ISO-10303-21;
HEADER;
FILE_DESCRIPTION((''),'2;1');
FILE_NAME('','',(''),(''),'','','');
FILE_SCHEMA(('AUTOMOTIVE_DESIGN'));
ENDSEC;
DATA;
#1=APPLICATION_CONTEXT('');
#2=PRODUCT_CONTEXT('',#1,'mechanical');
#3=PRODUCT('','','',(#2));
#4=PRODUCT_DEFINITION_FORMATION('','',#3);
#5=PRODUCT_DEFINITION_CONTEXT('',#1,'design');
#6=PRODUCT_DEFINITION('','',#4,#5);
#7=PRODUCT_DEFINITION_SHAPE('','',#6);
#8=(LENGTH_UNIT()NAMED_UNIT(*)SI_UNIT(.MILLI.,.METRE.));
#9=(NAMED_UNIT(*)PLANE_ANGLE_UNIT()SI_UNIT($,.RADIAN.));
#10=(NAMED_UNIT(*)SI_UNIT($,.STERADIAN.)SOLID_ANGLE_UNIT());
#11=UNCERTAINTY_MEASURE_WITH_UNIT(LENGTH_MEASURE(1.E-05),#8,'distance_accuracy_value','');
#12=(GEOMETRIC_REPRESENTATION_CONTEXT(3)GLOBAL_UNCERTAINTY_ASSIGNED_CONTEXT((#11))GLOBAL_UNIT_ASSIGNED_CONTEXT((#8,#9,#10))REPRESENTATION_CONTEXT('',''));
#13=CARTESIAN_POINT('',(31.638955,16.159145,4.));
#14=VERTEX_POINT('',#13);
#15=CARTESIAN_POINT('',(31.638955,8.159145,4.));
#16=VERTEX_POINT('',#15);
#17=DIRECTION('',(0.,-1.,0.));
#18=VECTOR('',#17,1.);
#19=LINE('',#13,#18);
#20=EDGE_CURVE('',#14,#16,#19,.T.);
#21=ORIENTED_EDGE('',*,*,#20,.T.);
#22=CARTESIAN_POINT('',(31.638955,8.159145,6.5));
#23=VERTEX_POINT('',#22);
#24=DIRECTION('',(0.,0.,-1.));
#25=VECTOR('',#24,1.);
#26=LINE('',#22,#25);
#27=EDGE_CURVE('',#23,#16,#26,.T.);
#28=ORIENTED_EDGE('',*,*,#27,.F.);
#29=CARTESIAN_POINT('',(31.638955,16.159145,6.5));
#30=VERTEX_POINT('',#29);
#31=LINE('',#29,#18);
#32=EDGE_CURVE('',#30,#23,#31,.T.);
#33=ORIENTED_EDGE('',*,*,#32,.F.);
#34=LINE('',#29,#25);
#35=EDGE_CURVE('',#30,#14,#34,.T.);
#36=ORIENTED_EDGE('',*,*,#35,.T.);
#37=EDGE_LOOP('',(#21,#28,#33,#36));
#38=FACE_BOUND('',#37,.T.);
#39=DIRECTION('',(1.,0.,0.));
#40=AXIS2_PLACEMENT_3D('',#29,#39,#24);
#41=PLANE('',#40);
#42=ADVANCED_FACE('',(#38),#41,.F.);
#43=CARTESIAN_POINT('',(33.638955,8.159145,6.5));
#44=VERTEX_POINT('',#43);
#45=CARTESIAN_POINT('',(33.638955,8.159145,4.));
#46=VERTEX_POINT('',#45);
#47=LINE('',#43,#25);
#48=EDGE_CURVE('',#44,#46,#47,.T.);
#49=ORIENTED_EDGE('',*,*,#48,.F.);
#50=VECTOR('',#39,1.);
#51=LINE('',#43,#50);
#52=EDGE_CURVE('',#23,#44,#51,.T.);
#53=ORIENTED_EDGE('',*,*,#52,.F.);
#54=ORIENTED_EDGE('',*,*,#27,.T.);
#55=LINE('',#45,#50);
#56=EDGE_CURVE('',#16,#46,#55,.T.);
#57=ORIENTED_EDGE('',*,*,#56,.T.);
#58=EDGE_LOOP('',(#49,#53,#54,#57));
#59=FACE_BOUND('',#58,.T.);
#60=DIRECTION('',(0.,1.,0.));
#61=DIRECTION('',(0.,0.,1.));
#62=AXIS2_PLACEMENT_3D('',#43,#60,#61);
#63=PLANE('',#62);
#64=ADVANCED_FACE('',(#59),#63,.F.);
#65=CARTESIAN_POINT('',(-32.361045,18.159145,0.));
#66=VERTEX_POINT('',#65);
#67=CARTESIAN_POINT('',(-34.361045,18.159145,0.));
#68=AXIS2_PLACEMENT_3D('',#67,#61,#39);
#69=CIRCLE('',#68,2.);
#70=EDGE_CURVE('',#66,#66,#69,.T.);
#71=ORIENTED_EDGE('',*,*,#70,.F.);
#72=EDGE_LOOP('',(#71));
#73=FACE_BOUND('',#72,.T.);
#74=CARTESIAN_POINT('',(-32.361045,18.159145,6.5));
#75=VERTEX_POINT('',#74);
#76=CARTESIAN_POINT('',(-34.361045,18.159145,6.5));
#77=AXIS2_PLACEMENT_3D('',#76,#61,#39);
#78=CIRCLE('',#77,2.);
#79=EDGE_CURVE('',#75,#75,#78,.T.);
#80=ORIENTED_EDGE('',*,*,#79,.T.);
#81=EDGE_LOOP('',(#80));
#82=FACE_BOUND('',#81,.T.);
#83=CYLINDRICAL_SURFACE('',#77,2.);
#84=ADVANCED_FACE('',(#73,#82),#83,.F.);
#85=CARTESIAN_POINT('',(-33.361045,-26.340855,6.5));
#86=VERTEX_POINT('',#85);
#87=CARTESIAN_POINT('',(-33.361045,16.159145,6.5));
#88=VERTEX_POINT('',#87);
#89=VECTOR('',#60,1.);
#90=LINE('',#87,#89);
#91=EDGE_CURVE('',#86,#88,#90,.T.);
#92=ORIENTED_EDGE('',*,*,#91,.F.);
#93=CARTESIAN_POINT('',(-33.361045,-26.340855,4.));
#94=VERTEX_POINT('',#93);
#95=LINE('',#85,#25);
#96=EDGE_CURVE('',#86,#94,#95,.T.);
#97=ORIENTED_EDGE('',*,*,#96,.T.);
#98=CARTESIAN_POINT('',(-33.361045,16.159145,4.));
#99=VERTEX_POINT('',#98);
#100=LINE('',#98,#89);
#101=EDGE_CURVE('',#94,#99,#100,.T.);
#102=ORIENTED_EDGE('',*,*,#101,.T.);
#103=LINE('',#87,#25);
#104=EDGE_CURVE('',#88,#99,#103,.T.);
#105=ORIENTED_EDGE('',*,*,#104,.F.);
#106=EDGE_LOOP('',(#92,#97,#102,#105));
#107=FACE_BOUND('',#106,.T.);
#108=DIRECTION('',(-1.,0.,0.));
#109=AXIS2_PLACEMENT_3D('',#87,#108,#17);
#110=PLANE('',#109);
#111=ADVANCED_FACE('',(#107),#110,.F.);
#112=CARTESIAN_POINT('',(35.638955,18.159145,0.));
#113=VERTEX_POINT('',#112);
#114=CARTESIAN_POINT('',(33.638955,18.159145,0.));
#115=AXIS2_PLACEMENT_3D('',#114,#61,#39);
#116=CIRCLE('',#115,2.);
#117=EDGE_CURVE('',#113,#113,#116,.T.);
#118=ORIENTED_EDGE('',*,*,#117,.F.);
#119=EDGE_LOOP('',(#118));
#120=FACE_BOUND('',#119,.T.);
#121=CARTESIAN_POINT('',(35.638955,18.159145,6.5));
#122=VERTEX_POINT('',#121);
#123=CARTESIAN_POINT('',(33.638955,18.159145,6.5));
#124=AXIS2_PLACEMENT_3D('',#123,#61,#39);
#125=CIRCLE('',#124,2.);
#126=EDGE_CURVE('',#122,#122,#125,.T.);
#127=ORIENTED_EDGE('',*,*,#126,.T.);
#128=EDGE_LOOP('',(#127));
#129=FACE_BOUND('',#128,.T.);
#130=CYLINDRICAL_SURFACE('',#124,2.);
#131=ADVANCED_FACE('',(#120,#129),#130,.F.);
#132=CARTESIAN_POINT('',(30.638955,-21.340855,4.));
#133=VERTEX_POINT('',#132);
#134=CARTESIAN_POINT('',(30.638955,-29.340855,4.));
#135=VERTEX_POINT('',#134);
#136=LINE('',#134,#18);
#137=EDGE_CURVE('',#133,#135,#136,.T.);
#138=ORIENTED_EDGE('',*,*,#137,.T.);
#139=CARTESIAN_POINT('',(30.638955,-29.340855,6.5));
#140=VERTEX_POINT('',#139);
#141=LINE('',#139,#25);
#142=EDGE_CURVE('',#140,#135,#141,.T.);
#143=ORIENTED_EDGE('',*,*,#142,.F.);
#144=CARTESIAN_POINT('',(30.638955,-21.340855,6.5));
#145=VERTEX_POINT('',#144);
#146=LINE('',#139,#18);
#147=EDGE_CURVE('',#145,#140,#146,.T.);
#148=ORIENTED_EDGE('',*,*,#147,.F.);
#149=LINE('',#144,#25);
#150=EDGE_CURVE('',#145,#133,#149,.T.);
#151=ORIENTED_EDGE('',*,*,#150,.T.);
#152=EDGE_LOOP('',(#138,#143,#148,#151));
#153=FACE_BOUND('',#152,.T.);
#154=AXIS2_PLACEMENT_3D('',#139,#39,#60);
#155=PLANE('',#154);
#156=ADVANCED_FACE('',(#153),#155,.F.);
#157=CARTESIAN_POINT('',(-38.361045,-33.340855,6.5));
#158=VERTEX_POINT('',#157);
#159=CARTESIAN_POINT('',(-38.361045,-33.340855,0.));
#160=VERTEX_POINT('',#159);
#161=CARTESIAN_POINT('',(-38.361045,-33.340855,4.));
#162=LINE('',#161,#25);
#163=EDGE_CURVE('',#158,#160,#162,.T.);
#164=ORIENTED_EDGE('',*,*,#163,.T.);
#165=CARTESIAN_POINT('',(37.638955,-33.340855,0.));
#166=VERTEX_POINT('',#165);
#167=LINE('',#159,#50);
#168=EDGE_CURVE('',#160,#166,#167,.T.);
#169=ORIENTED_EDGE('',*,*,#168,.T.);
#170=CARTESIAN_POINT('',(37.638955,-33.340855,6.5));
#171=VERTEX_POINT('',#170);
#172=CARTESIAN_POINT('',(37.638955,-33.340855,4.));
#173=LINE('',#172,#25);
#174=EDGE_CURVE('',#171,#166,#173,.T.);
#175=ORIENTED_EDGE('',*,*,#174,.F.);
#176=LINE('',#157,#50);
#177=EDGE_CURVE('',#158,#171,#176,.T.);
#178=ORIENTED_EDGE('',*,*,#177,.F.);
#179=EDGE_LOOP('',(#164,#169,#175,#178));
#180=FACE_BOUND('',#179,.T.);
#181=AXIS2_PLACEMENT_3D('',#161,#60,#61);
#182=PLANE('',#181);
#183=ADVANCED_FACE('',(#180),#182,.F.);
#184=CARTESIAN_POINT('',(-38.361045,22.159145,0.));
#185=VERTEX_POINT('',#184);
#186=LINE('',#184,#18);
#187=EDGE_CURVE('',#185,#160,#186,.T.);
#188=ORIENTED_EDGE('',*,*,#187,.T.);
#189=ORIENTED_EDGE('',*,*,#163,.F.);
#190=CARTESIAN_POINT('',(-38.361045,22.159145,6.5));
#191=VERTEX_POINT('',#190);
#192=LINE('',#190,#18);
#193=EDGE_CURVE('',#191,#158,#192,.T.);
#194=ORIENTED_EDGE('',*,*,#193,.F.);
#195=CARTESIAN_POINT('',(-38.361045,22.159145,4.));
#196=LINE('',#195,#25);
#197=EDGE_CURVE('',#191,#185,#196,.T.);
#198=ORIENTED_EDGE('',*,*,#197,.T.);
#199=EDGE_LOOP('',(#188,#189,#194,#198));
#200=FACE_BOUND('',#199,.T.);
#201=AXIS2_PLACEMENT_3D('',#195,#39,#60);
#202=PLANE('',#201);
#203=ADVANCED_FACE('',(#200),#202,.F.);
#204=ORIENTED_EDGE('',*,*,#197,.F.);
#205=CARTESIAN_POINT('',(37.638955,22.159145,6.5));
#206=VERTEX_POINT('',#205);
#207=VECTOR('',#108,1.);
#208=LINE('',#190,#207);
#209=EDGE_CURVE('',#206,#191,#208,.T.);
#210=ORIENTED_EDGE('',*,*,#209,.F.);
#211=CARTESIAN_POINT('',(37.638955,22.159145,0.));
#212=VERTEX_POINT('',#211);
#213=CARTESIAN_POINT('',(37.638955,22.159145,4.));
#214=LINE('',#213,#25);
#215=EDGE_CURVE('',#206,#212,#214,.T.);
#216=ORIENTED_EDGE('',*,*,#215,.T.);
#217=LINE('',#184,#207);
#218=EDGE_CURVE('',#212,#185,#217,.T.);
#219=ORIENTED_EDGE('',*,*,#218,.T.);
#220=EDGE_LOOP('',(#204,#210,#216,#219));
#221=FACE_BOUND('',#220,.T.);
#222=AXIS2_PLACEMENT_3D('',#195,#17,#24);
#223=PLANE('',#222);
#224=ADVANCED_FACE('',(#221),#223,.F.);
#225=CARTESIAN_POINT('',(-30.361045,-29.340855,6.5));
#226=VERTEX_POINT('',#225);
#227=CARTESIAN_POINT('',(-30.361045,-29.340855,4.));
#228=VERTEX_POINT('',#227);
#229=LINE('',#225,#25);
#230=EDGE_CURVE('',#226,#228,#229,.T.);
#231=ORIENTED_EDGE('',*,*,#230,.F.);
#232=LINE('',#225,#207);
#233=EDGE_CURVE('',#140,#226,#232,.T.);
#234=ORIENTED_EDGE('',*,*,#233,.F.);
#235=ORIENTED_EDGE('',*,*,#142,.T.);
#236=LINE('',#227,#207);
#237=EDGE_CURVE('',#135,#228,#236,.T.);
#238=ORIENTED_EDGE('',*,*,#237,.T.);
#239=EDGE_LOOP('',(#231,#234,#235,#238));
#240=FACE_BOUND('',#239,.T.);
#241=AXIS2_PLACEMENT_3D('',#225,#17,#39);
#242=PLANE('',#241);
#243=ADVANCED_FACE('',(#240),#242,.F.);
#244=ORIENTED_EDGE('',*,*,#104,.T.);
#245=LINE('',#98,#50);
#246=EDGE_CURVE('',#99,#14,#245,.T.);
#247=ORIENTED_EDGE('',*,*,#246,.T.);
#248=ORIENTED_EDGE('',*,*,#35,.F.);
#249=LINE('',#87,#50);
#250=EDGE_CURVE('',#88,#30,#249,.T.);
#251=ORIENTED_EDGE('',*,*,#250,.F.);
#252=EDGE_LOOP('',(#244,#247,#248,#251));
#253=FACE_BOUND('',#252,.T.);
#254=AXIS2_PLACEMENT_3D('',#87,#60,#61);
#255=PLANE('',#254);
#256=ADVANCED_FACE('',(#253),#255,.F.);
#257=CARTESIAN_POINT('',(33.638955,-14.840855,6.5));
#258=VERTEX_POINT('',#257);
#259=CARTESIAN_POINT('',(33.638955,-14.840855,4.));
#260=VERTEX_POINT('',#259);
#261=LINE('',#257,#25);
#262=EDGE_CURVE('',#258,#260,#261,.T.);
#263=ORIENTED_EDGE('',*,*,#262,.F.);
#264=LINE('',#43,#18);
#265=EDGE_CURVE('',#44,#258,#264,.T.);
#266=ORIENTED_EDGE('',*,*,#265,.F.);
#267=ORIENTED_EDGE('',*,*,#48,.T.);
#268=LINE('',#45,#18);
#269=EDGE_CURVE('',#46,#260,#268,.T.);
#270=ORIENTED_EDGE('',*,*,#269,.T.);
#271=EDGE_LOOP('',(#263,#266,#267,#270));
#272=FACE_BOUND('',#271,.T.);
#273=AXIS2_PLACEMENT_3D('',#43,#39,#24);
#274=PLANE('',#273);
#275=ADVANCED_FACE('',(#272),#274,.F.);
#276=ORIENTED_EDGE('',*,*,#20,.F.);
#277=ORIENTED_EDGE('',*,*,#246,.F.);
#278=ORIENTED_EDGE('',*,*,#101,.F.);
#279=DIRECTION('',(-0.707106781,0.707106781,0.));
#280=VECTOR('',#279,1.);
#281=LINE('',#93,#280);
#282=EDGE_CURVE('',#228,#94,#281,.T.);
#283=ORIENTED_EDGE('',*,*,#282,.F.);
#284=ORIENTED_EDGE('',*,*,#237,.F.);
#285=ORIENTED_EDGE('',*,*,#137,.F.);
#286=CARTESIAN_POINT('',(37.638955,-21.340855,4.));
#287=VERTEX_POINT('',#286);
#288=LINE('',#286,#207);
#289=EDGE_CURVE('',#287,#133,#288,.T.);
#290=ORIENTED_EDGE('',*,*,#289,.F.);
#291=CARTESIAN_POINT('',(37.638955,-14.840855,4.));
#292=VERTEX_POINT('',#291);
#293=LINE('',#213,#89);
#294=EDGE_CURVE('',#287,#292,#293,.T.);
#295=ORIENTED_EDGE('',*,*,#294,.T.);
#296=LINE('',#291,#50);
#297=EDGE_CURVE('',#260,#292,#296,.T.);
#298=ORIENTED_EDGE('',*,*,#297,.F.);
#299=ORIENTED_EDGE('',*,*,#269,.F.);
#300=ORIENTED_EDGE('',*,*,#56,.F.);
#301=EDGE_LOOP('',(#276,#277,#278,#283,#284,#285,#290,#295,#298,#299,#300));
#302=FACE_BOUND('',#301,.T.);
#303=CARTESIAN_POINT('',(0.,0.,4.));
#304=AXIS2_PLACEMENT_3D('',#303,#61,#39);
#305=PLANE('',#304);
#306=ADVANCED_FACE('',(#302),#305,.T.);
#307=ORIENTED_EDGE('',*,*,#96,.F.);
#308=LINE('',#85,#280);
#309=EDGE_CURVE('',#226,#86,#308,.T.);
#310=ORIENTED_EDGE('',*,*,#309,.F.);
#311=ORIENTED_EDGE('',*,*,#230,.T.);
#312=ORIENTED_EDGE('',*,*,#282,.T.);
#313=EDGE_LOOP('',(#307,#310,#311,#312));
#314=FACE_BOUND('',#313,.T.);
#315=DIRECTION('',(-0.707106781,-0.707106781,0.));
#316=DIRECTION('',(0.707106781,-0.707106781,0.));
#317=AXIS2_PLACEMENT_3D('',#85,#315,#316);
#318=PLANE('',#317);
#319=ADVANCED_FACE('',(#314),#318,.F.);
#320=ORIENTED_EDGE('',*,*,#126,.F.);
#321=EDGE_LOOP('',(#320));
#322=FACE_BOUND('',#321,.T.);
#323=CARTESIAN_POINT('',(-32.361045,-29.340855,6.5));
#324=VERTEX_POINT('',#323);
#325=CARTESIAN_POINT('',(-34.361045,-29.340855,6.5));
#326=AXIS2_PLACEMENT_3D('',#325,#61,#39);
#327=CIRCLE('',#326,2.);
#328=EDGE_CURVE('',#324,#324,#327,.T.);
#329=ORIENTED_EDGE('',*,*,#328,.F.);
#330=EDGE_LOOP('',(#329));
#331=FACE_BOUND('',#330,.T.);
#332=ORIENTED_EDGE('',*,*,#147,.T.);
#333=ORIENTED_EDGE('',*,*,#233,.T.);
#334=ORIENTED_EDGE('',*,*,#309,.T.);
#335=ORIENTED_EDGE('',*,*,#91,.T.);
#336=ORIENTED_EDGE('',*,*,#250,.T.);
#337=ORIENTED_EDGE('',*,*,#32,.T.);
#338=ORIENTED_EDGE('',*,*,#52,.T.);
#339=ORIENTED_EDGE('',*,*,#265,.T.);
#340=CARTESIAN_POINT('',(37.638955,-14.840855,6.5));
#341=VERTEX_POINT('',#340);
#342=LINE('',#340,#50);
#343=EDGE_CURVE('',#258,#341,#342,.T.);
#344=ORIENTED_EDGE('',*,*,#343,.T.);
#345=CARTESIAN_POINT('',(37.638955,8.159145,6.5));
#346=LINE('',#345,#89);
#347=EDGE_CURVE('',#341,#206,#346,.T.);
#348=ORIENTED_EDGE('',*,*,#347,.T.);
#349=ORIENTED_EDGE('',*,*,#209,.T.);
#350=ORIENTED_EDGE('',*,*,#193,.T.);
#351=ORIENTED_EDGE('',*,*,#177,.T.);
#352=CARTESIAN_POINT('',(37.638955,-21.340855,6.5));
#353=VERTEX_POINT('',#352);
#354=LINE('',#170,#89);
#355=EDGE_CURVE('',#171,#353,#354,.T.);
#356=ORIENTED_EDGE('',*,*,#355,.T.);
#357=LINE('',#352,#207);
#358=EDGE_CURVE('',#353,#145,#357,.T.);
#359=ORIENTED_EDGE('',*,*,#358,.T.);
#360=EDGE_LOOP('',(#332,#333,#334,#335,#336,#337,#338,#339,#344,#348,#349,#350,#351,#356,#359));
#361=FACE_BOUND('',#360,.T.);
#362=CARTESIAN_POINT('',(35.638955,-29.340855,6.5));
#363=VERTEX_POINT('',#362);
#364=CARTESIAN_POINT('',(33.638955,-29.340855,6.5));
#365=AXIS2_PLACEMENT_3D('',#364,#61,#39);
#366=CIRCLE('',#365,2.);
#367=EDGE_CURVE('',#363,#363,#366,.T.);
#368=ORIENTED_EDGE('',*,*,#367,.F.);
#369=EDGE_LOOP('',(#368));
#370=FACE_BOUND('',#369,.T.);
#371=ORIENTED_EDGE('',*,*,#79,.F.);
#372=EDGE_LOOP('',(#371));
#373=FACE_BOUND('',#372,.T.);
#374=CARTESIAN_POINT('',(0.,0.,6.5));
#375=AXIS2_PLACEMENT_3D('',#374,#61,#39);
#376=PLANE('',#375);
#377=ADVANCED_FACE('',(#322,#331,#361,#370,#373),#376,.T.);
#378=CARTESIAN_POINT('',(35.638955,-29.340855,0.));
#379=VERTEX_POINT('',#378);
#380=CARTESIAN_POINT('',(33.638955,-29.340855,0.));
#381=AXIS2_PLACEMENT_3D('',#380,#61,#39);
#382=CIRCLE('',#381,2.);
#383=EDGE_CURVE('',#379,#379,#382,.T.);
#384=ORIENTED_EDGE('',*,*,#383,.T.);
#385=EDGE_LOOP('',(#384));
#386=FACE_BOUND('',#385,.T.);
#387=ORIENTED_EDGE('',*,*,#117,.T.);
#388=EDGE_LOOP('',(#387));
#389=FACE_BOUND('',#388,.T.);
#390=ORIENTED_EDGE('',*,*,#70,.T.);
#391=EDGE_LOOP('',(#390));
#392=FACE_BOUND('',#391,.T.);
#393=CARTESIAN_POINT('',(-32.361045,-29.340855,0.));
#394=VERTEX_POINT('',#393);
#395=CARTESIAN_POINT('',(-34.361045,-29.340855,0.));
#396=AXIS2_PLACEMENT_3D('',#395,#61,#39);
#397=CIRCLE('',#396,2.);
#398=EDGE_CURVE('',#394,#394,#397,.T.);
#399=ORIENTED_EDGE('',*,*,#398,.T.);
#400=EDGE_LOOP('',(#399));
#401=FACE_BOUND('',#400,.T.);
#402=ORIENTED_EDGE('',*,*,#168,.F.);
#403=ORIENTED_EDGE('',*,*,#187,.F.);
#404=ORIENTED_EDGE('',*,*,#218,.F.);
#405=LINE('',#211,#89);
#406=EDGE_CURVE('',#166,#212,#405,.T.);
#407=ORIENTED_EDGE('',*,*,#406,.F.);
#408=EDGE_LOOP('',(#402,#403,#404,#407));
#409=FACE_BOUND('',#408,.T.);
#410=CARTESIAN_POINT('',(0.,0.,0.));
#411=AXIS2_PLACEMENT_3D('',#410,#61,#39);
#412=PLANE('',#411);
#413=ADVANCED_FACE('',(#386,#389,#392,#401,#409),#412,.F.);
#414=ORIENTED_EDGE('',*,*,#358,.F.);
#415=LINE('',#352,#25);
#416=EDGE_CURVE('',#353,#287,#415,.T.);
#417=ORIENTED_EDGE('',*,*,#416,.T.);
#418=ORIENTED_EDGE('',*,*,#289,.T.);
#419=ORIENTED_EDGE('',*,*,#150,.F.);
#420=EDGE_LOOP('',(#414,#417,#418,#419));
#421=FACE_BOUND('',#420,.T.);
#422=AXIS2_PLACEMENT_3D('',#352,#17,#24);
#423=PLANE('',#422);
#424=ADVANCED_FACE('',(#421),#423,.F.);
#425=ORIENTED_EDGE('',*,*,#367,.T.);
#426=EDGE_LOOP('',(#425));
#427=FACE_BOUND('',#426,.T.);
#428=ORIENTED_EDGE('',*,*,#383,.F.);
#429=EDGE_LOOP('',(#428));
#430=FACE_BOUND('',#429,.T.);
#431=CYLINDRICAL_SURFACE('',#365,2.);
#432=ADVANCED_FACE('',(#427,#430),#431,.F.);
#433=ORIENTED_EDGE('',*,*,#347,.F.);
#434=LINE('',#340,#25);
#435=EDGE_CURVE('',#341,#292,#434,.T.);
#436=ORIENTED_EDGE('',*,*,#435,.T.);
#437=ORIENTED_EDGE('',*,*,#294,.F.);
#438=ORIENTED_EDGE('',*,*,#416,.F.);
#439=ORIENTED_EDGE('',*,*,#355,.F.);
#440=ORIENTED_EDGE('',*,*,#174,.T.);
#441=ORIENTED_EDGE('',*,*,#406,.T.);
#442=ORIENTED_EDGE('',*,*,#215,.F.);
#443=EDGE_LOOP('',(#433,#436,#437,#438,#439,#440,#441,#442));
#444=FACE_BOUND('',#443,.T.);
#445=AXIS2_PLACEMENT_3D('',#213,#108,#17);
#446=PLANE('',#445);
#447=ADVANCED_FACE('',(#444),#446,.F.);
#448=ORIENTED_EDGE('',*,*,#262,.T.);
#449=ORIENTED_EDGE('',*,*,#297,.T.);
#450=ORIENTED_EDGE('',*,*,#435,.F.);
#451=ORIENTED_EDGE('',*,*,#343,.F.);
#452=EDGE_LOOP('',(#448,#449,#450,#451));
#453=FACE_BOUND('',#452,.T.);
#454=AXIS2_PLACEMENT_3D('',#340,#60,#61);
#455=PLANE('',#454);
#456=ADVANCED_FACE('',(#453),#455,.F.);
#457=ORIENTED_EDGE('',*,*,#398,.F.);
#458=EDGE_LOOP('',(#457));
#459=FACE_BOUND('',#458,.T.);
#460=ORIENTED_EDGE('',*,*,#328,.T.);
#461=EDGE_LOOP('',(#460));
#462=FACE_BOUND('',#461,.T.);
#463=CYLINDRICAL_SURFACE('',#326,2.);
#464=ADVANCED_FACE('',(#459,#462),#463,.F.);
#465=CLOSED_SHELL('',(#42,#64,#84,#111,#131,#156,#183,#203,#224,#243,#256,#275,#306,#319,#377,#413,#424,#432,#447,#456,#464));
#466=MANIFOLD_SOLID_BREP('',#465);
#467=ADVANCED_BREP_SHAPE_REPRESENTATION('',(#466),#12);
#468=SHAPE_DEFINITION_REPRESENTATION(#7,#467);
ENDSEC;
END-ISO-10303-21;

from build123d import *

# Parameters (mm, degrees)
SKETCH1_W                 = 76
SKETCH1_H                 = 55.5
BOSS_EXTRUDE1_DEPTH       = 4
BOSS_EXTRUDE2_DEPTH       = 2.5
F_4_0MM_DOWEL_HOLE1_D     = 4
F_4_0MM_DOWEL_HOLE1_DEPTH = 6.5


with BuildPart() as part:
    # Sketch1 → Boss-Extrude1 (new body)
    with BuildSketch(Plane.XY):
        with Locations((-0.361045131, -5.590855107)):
            Rectangle(SKETCH1_W, SKETCH1_H)
    extrude(amount=BOSS_EXTRUDE1_DEPTH)

    # Sketch2 → Boss-Extrude2 (add)
    with BuildSketch(Plane.XY.offset(4)):
        Polygon((-38.361045131, 22.159144893), (37.638954869, 22.159144893), (37.638954869, 16.159144893), (37.638954869, 8.159144893), (37.638954869, -14.840855107), (33.638954869, -14.840855107), (33.638954869, 8.159144893), (31.638954869, 8.159144893), (31.638954869, 16.159144893), (-33.361045131, 16.159144893), (-33.361045131, -26.340855107), (-30.361045131, -29.340855107), (30.638954869, -29.340855107), (30.638954869, -21.340855107), (37.638954869, -21.340855107), (37.638954869, -29.340855107), (37.638954869, -33.340855107), (-33.361045131, -33.340855107), (-38.361045131, -33.340855107), (-38.361045131, 16.159144893), align=None)
    extrude(amount=BOSS_EXTRUDE2_DEPTH)

    # Ø4.0mm Dowel Hole1
    with Locations(Plane.XY.offset(6.5)):
        with Locations((-34.361045131, 18.159144893), (33.638954869, 18.159144893), (33.638954869, -29.340855107), (-34.361045131, -29.340855107)):
            Hole(F_4_0MM_DOWEL_HOLE1_D / 2, depth=F_4_0MM_DOWEL_HOLE1_DEPTH)


solid = part.part
